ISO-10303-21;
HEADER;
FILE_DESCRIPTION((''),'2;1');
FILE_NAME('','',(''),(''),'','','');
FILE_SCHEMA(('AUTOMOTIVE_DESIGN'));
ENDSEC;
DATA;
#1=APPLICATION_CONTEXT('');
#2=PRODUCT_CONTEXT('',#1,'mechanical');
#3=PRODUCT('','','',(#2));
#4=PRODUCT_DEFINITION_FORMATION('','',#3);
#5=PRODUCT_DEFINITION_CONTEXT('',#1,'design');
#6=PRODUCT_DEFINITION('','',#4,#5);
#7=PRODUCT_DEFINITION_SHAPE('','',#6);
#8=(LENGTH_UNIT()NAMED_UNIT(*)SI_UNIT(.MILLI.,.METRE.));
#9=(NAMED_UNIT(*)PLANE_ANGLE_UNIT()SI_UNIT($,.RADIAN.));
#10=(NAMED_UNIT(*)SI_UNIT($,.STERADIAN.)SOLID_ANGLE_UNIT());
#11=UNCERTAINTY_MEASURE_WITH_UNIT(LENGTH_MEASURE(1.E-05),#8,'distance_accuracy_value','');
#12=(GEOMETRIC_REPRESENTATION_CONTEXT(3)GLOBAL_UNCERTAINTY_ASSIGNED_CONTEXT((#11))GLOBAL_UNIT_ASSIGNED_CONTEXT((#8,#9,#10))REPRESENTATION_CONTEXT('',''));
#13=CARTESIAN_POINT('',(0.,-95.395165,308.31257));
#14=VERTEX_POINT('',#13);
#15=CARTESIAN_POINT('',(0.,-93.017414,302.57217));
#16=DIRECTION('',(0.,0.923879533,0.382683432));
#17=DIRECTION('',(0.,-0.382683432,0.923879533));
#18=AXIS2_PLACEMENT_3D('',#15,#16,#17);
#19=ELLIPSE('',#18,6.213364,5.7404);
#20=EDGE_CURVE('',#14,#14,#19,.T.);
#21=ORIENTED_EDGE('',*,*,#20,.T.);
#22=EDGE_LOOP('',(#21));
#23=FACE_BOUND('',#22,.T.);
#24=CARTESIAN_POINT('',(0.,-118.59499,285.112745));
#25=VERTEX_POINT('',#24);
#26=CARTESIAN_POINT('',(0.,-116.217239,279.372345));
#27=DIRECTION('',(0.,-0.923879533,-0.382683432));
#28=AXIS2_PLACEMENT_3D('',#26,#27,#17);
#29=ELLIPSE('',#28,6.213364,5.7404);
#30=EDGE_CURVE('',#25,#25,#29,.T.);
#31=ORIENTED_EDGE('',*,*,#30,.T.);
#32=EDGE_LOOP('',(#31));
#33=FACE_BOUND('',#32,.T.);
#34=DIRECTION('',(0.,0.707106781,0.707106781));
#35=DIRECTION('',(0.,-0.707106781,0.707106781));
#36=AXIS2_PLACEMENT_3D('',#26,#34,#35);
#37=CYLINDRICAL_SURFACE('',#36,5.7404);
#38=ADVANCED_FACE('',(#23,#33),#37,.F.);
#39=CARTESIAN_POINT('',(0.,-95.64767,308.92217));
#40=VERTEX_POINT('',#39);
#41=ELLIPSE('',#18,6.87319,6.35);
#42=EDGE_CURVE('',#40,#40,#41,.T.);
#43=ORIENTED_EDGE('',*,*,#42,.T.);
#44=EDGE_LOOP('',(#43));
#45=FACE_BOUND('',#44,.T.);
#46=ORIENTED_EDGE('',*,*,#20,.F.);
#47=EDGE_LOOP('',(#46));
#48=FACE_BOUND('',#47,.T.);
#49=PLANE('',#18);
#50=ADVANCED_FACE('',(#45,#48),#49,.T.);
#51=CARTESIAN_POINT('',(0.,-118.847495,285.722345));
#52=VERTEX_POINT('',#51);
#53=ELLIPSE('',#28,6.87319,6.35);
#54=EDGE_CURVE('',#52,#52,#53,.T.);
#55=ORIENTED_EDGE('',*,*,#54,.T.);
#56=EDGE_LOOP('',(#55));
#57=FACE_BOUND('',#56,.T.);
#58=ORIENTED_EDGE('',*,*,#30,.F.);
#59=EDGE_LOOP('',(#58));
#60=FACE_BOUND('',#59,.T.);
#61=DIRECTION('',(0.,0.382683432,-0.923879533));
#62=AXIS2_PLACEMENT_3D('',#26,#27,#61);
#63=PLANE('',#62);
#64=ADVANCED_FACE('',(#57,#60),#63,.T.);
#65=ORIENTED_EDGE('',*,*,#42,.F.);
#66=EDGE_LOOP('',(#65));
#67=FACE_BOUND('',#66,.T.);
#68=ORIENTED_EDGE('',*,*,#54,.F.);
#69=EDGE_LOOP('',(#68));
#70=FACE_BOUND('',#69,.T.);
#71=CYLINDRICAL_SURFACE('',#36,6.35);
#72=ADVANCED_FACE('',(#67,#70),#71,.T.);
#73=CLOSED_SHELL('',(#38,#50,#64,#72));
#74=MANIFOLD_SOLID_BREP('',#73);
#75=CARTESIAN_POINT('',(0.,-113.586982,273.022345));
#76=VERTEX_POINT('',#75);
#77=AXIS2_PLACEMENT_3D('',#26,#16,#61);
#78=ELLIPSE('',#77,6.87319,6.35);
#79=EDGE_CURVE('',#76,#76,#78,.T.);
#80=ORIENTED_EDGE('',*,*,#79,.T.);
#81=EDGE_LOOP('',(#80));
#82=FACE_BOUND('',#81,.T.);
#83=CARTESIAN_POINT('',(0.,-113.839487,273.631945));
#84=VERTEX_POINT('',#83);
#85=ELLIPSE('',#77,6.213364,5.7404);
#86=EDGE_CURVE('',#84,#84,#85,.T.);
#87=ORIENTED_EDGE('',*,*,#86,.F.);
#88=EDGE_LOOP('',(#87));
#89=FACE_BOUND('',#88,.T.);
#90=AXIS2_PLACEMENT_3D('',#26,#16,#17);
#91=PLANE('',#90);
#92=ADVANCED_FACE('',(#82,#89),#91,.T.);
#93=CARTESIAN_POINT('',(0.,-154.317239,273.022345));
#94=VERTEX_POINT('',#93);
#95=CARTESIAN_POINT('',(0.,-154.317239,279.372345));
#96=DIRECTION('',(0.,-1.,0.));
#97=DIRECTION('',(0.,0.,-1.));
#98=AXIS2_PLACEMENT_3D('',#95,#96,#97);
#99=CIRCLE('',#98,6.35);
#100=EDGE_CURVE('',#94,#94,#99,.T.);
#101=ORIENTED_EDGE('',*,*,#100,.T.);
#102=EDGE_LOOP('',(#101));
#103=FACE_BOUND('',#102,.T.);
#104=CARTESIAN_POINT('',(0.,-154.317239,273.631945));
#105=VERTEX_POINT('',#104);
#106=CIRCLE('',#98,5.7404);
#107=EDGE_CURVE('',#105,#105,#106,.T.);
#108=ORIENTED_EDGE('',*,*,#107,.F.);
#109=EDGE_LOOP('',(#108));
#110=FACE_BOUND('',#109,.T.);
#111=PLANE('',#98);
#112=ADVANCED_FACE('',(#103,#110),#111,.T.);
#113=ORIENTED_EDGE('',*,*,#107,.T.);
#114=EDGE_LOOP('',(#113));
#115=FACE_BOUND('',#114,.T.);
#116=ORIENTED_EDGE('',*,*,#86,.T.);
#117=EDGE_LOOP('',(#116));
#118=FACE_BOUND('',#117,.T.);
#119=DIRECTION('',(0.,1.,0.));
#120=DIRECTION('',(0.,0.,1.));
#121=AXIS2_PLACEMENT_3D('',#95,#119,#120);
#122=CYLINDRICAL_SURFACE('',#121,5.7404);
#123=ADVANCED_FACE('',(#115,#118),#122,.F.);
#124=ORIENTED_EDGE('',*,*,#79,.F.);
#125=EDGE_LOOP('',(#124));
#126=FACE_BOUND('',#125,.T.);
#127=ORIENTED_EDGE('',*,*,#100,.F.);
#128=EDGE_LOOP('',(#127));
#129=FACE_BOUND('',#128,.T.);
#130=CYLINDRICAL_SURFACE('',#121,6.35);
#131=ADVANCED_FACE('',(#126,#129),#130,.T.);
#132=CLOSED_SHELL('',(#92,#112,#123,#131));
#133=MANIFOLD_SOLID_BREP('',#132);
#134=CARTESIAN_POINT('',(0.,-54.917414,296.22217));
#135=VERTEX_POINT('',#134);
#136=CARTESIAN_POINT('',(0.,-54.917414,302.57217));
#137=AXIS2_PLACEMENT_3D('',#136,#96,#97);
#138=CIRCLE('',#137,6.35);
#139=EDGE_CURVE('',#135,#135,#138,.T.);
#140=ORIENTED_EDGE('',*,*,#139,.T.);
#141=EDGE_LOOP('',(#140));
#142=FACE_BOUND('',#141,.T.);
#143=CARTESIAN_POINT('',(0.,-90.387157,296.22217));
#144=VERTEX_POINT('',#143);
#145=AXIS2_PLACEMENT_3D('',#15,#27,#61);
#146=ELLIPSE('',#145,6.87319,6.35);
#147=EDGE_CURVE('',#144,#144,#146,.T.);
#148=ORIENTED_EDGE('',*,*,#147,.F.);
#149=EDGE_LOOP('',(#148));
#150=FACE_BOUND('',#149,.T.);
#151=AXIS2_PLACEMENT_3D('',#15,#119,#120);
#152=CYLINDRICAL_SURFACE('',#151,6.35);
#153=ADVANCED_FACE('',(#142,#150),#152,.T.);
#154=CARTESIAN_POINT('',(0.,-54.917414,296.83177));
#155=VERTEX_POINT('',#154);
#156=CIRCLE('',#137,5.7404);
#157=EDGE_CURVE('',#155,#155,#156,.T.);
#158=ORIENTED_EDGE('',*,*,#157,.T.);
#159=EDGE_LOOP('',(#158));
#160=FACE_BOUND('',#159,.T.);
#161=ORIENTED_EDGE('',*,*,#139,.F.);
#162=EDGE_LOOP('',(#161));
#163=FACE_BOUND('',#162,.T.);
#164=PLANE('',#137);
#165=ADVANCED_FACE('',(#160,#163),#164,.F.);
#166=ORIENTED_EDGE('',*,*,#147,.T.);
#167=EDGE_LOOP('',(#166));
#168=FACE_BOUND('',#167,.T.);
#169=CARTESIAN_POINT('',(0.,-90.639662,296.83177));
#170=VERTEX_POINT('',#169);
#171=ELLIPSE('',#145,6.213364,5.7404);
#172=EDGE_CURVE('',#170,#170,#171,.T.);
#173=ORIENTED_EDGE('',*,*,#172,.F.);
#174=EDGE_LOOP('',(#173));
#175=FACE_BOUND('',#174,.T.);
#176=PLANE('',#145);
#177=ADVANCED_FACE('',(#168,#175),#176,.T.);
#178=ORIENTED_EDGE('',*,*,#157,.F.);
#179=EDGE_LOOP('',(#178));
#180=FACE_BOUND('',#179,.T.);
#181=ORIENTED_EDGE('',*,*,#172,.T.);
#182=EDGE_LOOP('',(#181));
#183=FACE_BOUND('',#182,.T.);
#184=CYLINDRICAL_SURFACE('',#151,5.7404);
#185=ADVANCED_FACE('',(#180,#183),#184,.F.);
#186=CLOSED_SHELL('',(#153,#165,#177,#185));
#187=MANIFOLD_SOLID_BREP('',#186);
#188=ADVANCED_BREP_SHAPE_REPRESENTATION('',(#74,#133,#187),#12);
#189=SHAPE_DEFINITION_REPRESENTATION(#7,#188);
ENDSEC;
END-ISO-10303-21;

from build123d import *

# Parameters (mm, degrees)
SKETCH11_R                = 6.35
SKETCH11_R_2              = 5.7404
PIPE_0_5_SCH_40_1_DEPTH   = 42.819743879
SKETCH11_ON_SEGMENT_2_R   = 6.35
SKETCH11_ON_SEGMENT_2_R_2 = 5.7404
PIPE_0_5_SCH_40_1_2_DEPTH = 42.248994938
SKETCH11_ON_SEGMENT_3_R   = 6.35
SKETCH11_ON_SEGMENT_3_R_2 = 5.7404
PIPE_0_5_SCH_40_1_3_DEPTH = 42.819743879


with BuildPart() as part:
    # Sketch11 → Pipe 0.5 SCH 40(1) (new body)
    with BuildSketch(Plane(origin=(0, -54.917413554, 302.572169571), x_dir=(0, 0, -1), z_dir=(0, -1, 0))):
        Circle(SKETCH11_R)
        Circle(SKETCH11_R_2, mode=Mode.SUBTRACT)
    extrude(amount=PIPE_0_5_SCH_40_1_DEPTH)

    # Pipe 0.5 SCH 40(1) mitre 1
    split(bisect_by=Plane(origin=(0, -93.017413554, 302.572169571), x_dir=(-1, 0, 0), z_dir=(0, 0.923879533, 0.382683432)), keep=Keep.TOP)


with BuildPart() as body_2:
    # Sketch11 on segment 2 (carried to segment 2) → Pipe 0.5 SCH 40_1 2 (new body)
    with BuildSketch(Plane(origin=(0, -89.680050651, 305.909532473), x_dir=(0, 0.707106781, -0.707106781), z_dir=(0, -0.707106781, -0.707106781))):
        Circle(SKETCH11_ON_SEGMENT_2_R)
        Circle(SKETCH11_ON_SEGMENT_2_R_2, mode=Mode.SUBTRACT)
    extrude(amount=PIPE_0_5_SCH_40_1_2_DEPTH)

    # Pipe 0.5 SCH 40_1 2 mitre 1
    split(bisect_by=Plane(origin=(0, -93.017413554, 302.572169571), x_dir=(1, 0, 0), z_dir=(0, -0.923879533, -0.382683432)), keep=Keep.TOP)

    # Pipe 0.5 SCH 40_1 2 mitre 2
    split(bisect_by=Plane(origin=(0, -116.217238568, 279.372344556), x_dir=(-1, 0, 0), z_dir=(0, 0.923879533, 0.382683432)), keep=Keep.TOP)


with BuildPart() as body_3:
    # Sketch11 on segment 3 (carried to segment 3) → Pipe 0.5 SCH 40_1 3 (new body)
    with BuildSketch(Plane(origin=(0, -111.497494689, 279.372344556), x_dir=(0, 0, -1), z_dir=(0, -1, 0))):
        Circle(SKETCH11_ON_SEGMENT_3_R)
        Circle(SKETCH11_ON_SEGMENT_3_R_2, mode=Mode.SUBTRACT)
    extrude(amount=PIPE_0_5_SCH_40_1_3_DEPTH)

    # Pipe 0.5 SCH 40_1 3 mitre 1
    split(bisect_by=Plane(origin=(0, -116.217238568, 279.372344556), x_dir=(1, 0, 0), z_dir=(0, -0.923879533, -0.382683432)), keep=Keep.TOP)


solid = Compound([part.part, body_2.part, body_3.part])
